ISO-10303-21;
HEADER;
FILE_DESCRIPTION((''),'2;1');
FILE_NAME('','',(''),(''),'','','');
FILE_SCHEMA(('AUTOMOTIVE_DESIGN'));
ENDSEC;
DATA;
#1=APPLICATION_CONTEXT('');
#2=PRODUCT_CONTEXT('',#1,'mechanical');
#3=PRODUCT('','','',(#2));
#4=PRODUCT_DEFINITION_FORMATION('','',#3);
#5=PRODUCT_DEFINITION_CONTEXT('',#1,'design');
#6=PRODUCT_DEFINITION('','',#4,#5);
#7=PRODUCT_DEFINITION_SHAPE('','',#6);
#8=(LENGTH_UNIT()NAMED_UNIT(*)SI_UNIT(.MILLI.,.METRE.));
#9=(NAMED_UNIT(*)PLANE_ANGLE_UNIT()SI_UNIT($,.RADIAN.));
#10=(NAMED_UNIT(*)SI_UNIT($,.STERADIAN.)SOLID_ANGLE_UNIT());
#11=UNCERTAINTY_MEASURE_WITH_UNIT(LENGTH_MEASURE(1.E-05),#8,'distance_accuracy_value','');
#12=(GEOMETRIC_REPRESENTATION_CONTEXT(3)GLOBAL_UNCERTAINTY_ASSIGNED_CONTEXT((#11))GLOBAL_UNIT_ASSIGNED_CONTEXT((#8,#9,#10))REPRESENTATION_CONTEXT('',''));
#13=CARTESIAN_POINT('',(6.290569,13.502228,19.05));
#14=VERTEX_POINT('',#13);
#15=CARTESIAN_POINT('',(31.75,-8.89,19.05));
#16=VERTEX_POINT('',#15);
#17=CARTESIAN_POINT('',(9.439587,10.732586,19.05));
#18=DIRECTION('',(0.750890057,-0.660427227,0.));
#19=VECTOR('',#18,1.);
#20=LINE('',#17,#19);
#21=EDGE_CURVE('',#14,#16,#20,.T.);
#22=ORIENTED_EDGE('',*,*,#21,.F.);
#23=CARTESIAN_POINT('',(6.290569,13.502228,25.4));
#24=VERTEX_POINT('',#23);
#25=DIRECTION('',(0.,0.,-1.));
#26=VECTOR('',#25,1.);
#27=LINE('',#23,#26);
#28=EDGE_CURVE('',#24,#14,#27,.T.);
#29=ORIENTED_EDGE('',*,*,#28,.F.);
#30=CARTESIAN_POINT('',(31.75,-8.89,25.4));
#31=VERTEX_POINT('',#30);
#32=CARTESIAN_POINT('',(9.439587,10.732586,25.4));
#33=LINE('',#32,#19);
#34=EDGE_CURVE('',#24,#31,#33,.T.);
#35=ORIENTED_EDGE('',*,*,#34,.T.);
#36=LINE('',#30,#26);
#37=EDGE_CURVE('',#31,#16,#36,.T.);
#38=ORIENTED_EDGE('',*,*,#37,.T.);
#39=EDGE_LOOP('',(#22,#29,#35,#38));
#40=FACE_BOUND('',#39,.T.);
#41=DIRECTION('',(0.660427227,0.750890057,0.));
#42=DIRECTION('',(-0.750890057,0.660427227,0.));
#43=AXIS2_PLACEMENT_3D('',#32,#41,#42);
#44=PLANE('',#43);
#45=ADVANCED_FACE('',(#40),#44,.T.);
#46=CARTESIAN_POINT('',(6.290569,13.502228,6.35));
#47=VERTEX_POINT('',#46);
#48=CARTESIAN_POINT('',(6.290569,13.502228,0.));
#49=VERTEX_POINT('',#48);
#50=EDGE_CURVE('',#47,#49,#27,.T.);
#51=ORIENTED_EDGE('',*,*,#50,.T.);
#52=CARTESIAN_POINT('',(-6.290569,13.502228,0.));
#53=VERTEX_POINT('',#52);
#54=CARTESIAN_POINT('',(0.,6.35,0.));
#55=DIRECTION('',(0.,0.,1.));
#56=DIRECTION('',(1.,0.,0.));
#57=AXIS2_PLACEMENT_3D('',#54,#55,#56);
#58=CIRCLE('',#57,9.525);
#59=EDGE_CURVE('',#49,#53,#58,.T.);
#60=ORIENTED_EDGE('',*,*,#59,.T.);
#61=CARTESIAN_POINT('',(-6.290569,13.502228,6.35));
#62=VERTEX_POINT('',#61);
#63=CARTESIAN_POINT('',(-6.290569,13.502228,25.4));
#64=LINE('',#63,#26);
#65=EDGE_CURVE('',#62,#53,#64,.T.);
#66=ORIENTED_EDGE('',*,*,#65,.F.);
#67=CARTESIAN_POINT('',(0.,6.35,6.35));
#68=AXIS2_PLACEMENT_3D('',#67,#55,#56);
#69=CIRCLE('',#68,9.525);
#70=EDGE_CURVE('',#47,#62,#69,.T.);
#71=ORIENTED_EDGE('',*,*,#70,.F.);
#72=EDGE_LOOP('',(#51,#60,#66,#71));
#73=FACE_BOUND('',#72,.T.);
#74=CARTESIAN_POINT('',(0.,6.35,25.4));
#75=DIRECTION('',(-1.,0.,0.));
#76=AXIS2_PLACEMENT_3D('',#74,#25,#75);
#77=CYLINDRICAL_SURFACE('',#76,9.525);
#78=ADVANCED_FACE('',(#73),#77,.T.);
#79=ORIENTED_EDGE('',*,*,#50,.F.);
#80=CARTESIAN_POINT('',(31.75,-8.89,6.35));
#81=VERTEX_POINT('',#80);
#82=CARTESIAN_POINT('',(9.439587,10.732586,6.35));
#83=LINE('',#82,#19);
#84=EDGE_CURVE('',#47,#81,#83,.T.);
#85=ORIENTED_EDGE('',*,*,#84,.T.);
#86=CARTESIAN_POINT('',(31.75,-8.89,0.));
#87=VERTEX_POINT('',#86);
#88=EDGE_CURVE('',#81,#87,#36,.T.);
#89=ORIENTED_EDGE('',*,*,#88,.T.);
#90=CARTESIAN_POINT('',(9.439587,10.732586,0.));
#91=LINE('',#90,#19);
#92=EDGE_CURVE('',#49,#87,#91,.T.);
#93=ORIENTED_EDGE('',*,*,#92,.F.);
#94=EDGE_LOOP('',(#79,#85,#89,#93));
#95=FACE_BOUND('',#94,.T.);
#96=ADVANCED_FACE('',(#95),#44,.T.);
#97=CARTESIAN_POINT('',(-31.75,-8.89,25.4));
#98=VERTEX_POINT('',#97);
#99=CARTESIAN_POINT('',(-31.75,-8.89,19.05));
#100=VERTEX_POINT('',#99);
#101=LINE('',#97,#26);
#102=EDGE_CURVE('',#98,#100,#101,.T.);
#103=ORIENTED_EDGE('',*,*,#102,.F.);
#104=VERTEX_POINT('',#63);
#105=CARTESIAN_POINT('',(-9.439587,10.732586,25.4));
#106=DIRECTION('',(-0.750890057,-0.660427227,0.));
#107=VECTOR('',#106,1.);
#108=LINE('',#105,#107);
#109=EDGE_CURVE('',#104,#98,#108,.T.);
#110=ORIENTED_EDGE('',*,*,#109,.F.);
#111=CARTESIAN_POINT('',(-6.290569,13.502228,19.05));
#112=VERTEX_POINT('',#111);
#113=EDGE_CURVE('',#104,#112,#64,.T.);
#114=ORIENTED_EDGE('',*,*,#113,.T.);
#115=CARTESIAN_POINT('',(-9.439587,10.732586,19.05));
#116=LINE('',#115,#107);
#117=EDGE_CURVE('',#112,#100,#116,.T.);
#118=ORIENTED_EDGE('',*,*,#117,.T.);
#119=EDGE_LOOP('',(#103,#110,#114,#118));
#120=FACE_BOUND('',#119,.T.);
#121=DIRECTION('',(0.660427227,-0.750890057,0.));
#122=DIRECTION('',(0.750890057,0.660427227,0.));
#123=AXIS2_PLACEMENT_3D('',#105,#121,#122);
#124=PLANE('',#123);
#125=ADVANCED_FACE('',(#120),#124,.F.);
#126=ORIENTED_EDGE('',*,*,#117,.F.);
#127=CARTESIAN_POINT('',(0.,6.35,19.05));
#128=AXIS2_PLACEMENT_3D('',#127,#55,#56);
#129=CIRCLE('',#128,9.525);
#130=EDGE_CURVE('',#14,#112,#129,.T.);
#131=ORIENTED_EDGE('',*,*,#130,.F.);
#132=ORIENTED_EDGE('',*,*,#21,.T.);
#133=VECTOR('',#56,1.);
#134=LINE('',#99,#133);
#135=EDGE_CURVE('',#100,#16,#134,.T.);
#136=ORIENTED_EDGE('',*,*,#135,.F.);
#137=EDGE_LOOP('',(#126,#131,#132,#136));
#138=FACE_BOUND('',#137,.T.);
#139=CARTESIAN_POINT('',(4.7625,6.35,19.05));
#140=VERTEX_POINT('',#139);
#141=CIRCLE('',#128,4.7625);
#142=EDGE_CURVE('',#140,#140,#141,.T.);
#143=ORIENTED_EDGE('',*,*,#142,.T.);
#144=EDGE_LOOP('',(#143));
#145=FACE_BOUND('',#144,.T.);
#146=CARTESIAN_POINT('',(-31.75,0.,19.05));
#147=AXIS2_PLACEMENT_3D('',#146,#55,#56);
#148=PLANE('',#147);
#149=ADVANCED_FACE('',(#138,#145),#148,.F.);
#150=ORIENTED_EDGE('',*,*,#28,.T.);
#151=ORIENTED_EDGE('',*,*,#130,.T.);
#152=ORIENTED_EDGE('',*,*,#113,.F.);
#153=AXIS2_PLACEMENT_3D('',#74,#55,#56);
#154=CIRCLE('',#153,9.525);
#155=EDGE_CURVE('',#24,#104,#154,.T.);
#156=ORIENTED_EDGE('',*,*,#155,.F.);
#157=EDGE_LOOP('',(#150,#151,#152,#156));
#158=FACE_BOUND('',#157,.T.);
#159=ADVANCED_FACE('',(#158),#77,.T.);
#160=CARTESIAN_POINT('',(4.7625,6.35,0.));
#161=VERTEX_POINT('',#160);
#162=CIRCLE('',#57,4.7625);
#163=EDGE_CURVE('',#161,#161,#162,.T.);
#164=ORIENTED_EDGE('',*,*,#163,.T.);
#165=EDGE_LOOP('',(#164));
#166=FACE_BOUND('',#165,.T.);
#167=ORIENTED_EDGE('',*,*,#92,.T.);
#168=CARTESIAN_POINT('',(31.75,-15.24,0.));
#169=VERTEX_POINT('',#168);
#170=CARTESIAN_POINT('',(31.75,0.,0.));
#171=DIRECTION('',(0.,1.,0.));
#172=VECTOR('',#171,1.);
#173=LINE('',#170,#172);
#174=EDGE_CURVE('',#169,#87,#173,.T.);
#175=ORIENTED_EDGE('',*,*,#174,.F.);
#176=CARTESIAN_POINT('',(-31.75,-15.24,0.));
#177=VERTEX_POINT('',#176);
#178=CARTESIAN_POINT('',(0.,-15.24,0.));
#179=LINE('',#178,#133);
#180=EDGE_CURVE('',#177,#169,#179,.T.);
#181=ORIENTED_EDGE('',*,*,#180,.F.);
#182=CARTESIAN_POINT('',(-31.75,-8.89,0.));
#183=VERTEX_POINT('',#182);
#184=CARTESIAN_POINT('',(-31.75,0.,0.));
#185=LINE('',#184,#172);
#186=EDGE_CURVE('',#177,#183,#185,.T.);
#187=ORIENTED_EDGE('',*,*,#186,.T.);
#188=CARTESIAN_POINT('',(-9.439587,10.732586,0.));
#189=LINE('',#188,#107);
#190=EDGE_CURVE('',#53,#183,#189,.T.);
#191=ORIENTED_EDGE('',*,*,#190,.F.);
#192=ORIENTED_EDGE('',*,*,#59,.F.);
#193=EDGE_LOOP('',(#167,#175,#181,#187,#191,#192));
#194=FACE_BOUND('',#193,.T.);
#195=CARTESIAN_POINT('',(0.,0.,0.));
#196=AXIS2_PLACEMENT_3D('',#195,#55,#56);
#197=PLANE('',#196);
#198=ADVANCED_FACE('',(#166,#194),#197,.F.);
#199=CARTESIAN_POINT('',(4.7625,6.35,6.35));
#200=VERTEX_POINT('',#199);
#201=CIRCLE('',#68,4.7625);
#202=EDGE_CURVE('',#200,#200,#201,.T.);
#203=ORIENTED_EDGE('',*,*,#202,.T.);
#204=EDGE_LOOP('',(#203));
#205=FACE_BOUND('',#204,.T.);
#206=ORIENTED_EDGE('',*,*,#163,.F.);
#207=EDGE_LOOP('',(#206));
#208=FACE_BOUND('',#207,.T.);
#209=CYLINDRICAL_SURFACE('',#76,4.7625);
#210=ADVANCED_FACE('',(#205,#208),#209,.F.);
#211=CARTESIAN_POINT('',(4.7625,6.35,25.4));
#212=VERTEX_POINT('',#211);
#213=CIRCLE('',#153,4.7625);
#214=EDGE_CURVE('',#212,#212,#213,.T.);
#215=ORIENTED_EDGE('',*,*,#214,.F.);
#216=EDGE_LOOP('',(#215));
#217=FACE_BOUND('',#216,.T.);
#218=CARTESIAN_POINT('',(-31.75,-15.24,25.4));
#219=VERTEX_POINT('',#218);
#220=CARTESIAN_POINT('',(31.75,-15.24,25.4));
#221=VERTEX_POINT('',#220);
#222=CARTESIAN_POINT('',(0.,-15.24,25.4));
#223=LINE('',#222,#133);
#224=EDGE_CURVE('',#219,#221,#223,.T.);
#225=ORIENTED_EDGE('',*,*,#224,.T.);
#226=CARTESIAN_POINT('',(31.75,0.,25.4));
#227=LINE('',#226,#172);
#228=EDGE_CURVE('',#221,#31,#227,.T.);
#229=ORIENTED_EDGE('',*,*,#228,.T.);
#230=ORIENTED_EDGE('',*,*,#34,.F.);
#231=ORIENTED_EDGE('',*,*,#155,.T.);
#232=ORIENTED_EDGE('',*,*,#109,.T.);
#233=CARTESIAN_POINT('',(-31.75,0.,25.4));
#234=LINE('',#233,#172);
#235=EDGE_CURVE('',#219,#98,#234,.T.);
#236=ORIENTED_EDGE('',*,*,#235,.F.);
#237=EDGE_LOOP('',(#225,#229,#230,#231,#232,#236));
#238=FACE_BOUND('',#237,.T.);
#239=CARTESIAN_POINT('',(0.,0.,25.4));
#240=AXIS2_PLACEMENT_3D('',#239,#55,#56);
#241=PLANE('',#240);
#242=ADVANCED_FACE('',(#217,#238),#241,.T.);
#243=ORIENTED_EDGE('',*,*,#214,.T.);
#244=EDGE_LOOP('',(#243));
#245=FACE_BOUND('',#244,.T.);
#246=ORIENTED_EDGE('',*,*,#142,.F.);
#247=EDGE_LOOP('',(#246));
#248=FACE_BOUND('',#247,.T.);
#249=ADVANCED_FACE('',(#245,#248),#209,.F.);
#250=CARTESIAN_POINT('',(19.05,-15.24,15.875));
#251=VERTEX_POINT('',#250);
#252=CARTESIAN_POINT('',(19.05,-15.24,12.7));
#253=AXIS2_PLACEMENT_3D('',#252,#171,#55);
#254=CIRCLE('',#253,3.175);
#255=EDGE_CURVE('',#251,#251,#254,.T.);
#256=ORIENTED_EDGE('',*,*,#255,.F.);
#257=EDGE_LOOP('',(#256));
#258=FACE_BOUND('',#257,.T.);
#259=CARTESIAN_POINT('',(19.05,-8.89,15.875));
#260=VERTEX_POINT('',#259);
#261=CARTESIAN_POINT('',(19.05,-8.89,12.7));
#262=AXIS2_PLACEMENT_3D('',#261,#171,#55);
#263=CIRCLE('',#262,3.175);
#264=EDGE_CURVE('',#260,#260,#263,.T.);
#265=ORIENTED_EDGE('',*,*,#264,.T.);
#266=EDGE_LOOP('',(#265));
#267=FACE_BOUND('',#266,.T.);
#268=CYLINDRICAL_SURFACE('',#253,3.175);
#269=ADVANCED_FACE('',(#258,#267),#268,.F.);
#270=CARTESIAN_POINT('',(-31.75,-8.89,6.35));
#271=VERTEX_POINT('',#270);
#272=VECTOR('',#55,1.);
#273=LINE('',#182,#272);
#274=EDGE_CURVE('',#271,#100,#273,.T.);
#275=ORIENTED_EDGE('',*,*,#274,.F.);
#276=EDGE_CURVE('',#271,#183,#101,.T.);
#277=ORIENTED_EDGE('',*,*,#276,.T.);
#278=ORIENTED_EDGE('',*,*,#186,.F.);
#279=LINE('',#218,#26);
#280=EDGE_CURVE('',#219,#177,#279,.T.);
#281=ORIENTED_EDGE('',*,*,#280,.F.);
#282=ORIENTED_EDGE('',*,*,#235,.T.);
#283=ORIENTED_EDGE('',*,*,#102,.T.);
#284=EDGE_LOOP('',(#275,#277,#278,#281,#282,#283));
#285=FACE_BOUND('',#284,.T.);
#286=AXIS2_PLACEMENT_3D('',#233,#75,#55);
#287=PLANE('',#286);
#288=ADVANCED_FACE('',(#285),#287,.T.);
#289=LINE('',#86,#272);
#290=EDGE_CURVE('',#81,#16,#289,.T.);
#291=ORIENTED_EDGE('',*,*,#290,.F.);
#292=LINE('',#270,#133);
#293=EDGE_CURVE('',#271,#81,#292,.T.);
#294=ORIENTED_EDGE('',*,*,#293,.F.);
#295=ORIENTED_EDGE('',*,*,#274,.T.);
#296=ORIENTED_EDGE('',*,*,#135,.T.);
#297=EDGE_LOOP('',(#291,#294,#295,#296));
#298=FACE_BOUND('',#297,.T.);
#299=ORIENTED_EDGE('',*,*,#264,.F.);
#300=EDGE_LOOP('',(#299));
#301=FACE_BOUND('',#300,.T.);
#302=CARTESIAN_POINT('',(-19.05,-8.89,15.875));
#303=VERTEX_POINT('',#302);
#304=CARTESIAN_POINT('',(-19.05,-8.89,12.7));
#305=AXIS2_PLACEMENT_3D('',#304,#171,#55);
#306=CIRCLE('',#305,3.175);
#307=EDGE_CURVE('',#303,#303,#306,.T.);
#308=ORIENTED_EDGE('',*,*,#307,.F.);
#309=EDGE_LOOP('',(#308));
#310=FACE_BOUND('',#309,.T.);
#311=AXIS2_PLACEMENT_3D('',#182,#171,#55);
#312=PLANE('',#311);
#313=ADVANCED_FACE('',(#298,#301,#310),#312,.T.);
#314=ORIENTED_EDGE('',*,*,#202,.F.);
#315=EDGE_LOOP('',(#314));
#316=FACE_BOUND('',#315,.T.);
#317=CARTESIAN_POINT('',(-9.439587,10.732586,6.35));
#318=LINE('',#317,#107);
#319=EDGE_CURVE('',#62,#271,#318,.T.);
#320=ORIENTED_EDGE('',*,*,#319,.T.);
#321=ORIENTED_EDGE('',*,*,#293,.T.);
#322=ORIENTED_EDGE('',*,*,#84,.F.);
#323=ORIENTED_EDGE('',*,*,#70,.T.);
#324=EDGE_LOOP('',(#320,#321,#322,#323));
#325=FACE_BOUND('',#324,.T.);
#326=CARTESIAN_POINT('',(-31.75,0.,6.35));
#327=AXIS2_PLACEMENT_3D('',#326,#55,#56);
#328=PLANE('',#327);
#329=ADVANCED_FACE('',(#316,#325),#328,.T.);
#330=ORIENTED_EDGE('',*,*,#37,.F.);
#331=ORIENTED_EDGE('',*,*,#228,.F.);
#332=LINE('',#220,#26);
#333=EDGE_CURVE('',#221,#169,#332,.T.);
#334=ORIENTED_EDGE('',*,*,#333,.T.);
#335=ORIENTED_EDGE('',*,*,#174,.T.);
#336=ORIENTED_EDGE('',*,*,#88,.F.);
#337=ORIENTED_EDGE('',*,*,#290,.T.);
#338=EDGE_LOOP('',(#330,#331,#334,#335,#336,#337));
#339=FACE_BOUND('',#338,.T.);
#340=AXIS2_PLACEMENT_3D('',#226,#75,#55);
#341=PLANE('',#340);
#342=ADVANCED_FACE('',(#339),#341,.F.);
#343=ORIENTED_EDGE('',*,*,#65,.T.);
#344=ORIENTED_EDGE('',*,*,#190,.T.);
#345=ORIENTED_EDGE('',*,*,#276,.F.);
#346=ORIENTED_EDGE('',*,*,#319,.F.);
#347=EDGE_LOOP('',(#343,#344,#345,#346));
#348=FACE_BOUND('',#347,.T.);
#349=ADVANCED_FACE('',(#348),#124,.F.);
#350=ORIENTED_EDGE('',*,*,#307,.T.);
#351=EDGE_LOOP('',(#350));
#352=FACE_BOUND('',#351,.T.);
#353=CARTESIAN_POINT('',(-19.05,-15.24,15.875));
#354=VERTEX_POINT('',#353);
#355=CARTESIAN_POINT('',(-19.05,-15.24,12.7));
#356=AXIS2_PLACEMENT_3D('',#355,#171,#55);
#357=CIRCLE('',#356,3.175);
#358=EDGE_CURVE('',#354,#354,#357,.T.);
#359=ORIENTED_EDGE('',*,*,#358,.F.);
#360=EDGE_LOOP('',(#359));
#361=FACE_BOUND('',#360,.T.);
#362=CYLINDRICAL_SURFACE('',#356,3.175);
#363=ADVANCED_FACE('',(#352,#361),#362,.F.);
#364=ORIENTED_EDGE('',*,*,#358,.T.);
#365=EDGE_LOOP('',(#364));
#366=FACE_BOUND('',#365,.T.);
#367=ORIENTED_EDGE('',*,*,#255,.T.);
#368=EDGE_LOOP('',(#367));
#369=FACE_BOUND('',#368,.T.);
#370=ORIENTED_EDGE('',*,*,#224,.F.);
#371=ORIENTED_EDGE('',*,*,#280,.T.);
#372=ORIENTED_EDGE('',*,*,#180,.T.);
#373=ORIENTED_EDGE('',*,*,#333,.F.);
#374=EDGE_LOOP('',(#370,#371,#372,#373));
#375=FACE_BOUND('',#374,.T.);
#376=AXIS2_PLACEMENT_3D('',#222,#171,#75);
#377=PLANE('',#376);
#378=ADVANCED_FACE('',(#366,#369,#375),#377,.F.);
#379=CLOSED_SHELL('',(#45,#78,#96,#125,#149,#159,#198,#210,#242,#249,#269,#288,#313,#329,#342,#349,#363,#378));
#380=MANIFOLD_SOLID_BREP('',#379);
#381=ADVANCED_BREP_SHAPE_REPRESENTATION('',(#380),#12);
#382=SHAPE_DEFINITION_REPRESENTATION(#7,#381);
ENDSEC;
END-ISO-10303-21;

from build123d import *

# Parameters (mm, degrees)
SKETCH1_R           = 4.7625
BOSS_EXTRUDE1_DEPTH = 25.4
SKETCH2_W           = 12.7
SKETCH2_H           = 8.89
SKETCH2_H_2         = 18.382780547
CUT_EXTRUDE1_DEPTH  = 64.5
SKETCH3_R           = 3.175
CUT_EXTRUDE2_DEPTH  = 7.35


with BuildPart() as part:
    # Sketch1 → Boss-Extrude1 (new body)
    with BuildSketch(Plane.XY):
        with BuildLine():
            Line((31.75, -8.89), (6.29056934, 13.502227791))
            ThreePointArc((6.29056934, 13.502227791), (0, 15.875), (-6.29056934, 13.502227791))
            Line((-6.29056934, 13.502227791), (-31.75, -8.89))
            Line((-31.75, -8.89), (-31.75, -15.24))
            Line((-31.75, -15.24), (31.75, -15.24))
            Line((31.75, -15.24), (31.75, -8.89))
        make_face()
        with Locations((0, 6.35)):
            Circle(SKETCH1_R, mode=Mode.SUBTRACT)
    extrude(amount=BOSS_EXTRUDE1_DEPTH)

    # Sketch2 → Cut-Extrude1 (cut, through all)
    with BuildSketch(Plane(origin=(31.75, 0, 0), x_dir=(0, 0, -1), z_dir=(1, 0, 0))):
        with Locations((-12.7, -4.445)):
            Rectangle(SKETCH2_W, SKETCH2_H)
        with Locations((-12.7, 9.191390273)):
            Rectangle(SKETCH2_W, SKETCH2_H_2)
    extrude(amount=-CUT_EXTRUDE1_DEPTH, mode=Mode.SUBTRACT)

    # Sketch3 → Cut-Extrude2 (cut, through all)
    with BuildSketch(Plane(origin=(0, -8.89, 0), x_dir=(1, 0, 0), z_dir=(0, 1, 0))):
        with Locations((-19.05, -12.7)):
            Circle(SKETCH3_R)
        with Locations((19.05, -12.7)):
            Circle(SKETCH3_R)
    extrude(amount=-CUT_EXTRUDE2_DEPTH, mode=Mode.SUBTRACT)


solid = part.part
